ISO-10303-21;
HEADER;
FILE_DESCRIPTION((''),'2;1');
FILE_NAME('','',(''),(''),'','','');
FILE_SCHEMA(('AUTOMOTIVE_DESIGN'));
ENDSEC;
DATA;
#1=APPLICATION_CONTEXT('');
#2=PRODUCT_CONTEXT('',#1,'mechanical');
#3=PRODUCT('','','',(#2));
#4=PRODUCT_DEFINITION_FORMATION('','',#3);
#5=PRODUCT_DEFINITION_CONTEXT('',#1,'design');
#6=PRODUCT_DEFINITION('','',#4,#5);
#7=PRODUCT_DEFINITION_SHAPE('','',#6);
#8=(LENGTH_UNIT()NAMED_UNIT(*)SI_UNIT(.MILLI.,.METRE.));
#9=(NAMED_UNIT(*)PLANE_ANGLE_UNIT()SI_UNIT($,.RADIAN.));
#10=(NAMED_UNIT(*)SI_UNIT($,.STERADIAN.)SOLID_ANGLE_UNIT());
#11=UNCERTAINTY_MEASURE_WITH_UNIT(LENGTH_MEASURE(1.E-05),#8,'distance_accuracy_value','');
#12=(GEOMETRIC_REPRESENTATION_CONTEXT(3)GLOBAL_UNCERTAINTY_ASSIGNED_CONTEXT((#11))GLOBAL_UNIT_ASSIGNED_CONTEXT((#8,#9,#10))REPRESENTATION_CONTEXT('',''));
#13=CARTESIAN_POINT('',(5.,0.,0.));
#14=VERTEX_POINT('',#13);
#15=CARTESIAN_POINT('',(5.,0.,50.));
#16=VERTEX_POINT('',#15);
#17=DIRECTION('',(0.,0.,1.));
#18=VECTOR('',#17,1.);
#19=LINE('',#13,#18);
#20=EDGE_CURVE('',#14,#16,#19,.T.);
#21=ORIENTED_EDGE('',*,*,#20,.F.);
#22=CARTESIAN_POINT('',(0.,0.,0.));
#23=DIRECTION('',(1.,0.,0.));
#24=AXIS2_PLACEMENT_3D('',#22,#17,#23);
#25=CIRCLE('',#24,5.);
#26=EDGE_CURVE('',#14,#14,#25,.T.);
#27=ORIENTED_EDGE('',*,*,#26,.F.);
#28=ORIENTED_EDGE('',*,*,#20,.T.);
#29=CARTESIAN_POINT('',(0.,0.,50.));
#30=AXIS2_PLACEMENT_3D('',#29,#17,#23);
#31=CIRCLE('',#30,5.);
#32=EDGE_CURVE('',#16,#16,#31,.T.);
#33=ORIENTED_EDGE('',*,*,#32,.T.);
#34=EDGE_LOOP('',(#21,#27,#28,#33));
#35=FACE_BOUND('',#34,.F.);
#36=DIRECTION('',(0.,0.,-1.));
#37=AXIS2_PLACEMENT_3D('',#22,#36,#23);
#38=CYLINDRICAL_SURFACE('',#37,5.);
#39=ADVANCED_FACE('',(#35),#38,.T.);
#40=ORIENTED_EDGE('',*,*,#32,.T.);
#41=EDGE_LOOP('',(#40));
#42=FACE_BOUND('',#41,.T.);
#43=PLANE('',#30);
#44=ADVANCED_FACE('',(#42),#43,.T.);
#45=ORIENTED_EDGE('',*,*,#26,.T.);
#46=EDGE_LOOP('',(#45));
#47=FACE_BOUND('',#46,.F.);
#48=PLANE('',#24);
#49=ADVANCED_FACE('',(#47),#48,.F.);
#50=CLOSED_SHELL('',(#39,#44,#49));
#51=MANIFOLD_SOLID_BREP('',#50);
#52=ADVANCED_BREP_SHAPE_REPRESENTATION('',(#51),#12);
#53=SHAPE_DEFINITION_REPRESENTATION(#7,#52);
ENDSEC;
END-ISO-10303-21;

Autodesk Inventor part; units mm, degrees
ref_plane "YZ Plane" through (0, 0, 0) normal (1, 0, 0) x (0, 1, 0)
ref_plane "XZ Plane" through (0, 0, 0) normal (0, 1, 0) x (-1, 0, 0)
ref_plane "XY Plane" through (0, 0, 0) normal (0, 0, 1) x (1, 0, 0)
sketch "Sketch1" plane through (0, 0, 0) normal (0, 0, 1) x (1, 0, 0)
  circle A0 centre (0, 0) radius 5
  dimension "d0" = 10
extrude "Extrusion1" add sketch "Sketch1" along normal blind 50
properties part number "flying-cam-10mm" material "Phenolic Resin"
